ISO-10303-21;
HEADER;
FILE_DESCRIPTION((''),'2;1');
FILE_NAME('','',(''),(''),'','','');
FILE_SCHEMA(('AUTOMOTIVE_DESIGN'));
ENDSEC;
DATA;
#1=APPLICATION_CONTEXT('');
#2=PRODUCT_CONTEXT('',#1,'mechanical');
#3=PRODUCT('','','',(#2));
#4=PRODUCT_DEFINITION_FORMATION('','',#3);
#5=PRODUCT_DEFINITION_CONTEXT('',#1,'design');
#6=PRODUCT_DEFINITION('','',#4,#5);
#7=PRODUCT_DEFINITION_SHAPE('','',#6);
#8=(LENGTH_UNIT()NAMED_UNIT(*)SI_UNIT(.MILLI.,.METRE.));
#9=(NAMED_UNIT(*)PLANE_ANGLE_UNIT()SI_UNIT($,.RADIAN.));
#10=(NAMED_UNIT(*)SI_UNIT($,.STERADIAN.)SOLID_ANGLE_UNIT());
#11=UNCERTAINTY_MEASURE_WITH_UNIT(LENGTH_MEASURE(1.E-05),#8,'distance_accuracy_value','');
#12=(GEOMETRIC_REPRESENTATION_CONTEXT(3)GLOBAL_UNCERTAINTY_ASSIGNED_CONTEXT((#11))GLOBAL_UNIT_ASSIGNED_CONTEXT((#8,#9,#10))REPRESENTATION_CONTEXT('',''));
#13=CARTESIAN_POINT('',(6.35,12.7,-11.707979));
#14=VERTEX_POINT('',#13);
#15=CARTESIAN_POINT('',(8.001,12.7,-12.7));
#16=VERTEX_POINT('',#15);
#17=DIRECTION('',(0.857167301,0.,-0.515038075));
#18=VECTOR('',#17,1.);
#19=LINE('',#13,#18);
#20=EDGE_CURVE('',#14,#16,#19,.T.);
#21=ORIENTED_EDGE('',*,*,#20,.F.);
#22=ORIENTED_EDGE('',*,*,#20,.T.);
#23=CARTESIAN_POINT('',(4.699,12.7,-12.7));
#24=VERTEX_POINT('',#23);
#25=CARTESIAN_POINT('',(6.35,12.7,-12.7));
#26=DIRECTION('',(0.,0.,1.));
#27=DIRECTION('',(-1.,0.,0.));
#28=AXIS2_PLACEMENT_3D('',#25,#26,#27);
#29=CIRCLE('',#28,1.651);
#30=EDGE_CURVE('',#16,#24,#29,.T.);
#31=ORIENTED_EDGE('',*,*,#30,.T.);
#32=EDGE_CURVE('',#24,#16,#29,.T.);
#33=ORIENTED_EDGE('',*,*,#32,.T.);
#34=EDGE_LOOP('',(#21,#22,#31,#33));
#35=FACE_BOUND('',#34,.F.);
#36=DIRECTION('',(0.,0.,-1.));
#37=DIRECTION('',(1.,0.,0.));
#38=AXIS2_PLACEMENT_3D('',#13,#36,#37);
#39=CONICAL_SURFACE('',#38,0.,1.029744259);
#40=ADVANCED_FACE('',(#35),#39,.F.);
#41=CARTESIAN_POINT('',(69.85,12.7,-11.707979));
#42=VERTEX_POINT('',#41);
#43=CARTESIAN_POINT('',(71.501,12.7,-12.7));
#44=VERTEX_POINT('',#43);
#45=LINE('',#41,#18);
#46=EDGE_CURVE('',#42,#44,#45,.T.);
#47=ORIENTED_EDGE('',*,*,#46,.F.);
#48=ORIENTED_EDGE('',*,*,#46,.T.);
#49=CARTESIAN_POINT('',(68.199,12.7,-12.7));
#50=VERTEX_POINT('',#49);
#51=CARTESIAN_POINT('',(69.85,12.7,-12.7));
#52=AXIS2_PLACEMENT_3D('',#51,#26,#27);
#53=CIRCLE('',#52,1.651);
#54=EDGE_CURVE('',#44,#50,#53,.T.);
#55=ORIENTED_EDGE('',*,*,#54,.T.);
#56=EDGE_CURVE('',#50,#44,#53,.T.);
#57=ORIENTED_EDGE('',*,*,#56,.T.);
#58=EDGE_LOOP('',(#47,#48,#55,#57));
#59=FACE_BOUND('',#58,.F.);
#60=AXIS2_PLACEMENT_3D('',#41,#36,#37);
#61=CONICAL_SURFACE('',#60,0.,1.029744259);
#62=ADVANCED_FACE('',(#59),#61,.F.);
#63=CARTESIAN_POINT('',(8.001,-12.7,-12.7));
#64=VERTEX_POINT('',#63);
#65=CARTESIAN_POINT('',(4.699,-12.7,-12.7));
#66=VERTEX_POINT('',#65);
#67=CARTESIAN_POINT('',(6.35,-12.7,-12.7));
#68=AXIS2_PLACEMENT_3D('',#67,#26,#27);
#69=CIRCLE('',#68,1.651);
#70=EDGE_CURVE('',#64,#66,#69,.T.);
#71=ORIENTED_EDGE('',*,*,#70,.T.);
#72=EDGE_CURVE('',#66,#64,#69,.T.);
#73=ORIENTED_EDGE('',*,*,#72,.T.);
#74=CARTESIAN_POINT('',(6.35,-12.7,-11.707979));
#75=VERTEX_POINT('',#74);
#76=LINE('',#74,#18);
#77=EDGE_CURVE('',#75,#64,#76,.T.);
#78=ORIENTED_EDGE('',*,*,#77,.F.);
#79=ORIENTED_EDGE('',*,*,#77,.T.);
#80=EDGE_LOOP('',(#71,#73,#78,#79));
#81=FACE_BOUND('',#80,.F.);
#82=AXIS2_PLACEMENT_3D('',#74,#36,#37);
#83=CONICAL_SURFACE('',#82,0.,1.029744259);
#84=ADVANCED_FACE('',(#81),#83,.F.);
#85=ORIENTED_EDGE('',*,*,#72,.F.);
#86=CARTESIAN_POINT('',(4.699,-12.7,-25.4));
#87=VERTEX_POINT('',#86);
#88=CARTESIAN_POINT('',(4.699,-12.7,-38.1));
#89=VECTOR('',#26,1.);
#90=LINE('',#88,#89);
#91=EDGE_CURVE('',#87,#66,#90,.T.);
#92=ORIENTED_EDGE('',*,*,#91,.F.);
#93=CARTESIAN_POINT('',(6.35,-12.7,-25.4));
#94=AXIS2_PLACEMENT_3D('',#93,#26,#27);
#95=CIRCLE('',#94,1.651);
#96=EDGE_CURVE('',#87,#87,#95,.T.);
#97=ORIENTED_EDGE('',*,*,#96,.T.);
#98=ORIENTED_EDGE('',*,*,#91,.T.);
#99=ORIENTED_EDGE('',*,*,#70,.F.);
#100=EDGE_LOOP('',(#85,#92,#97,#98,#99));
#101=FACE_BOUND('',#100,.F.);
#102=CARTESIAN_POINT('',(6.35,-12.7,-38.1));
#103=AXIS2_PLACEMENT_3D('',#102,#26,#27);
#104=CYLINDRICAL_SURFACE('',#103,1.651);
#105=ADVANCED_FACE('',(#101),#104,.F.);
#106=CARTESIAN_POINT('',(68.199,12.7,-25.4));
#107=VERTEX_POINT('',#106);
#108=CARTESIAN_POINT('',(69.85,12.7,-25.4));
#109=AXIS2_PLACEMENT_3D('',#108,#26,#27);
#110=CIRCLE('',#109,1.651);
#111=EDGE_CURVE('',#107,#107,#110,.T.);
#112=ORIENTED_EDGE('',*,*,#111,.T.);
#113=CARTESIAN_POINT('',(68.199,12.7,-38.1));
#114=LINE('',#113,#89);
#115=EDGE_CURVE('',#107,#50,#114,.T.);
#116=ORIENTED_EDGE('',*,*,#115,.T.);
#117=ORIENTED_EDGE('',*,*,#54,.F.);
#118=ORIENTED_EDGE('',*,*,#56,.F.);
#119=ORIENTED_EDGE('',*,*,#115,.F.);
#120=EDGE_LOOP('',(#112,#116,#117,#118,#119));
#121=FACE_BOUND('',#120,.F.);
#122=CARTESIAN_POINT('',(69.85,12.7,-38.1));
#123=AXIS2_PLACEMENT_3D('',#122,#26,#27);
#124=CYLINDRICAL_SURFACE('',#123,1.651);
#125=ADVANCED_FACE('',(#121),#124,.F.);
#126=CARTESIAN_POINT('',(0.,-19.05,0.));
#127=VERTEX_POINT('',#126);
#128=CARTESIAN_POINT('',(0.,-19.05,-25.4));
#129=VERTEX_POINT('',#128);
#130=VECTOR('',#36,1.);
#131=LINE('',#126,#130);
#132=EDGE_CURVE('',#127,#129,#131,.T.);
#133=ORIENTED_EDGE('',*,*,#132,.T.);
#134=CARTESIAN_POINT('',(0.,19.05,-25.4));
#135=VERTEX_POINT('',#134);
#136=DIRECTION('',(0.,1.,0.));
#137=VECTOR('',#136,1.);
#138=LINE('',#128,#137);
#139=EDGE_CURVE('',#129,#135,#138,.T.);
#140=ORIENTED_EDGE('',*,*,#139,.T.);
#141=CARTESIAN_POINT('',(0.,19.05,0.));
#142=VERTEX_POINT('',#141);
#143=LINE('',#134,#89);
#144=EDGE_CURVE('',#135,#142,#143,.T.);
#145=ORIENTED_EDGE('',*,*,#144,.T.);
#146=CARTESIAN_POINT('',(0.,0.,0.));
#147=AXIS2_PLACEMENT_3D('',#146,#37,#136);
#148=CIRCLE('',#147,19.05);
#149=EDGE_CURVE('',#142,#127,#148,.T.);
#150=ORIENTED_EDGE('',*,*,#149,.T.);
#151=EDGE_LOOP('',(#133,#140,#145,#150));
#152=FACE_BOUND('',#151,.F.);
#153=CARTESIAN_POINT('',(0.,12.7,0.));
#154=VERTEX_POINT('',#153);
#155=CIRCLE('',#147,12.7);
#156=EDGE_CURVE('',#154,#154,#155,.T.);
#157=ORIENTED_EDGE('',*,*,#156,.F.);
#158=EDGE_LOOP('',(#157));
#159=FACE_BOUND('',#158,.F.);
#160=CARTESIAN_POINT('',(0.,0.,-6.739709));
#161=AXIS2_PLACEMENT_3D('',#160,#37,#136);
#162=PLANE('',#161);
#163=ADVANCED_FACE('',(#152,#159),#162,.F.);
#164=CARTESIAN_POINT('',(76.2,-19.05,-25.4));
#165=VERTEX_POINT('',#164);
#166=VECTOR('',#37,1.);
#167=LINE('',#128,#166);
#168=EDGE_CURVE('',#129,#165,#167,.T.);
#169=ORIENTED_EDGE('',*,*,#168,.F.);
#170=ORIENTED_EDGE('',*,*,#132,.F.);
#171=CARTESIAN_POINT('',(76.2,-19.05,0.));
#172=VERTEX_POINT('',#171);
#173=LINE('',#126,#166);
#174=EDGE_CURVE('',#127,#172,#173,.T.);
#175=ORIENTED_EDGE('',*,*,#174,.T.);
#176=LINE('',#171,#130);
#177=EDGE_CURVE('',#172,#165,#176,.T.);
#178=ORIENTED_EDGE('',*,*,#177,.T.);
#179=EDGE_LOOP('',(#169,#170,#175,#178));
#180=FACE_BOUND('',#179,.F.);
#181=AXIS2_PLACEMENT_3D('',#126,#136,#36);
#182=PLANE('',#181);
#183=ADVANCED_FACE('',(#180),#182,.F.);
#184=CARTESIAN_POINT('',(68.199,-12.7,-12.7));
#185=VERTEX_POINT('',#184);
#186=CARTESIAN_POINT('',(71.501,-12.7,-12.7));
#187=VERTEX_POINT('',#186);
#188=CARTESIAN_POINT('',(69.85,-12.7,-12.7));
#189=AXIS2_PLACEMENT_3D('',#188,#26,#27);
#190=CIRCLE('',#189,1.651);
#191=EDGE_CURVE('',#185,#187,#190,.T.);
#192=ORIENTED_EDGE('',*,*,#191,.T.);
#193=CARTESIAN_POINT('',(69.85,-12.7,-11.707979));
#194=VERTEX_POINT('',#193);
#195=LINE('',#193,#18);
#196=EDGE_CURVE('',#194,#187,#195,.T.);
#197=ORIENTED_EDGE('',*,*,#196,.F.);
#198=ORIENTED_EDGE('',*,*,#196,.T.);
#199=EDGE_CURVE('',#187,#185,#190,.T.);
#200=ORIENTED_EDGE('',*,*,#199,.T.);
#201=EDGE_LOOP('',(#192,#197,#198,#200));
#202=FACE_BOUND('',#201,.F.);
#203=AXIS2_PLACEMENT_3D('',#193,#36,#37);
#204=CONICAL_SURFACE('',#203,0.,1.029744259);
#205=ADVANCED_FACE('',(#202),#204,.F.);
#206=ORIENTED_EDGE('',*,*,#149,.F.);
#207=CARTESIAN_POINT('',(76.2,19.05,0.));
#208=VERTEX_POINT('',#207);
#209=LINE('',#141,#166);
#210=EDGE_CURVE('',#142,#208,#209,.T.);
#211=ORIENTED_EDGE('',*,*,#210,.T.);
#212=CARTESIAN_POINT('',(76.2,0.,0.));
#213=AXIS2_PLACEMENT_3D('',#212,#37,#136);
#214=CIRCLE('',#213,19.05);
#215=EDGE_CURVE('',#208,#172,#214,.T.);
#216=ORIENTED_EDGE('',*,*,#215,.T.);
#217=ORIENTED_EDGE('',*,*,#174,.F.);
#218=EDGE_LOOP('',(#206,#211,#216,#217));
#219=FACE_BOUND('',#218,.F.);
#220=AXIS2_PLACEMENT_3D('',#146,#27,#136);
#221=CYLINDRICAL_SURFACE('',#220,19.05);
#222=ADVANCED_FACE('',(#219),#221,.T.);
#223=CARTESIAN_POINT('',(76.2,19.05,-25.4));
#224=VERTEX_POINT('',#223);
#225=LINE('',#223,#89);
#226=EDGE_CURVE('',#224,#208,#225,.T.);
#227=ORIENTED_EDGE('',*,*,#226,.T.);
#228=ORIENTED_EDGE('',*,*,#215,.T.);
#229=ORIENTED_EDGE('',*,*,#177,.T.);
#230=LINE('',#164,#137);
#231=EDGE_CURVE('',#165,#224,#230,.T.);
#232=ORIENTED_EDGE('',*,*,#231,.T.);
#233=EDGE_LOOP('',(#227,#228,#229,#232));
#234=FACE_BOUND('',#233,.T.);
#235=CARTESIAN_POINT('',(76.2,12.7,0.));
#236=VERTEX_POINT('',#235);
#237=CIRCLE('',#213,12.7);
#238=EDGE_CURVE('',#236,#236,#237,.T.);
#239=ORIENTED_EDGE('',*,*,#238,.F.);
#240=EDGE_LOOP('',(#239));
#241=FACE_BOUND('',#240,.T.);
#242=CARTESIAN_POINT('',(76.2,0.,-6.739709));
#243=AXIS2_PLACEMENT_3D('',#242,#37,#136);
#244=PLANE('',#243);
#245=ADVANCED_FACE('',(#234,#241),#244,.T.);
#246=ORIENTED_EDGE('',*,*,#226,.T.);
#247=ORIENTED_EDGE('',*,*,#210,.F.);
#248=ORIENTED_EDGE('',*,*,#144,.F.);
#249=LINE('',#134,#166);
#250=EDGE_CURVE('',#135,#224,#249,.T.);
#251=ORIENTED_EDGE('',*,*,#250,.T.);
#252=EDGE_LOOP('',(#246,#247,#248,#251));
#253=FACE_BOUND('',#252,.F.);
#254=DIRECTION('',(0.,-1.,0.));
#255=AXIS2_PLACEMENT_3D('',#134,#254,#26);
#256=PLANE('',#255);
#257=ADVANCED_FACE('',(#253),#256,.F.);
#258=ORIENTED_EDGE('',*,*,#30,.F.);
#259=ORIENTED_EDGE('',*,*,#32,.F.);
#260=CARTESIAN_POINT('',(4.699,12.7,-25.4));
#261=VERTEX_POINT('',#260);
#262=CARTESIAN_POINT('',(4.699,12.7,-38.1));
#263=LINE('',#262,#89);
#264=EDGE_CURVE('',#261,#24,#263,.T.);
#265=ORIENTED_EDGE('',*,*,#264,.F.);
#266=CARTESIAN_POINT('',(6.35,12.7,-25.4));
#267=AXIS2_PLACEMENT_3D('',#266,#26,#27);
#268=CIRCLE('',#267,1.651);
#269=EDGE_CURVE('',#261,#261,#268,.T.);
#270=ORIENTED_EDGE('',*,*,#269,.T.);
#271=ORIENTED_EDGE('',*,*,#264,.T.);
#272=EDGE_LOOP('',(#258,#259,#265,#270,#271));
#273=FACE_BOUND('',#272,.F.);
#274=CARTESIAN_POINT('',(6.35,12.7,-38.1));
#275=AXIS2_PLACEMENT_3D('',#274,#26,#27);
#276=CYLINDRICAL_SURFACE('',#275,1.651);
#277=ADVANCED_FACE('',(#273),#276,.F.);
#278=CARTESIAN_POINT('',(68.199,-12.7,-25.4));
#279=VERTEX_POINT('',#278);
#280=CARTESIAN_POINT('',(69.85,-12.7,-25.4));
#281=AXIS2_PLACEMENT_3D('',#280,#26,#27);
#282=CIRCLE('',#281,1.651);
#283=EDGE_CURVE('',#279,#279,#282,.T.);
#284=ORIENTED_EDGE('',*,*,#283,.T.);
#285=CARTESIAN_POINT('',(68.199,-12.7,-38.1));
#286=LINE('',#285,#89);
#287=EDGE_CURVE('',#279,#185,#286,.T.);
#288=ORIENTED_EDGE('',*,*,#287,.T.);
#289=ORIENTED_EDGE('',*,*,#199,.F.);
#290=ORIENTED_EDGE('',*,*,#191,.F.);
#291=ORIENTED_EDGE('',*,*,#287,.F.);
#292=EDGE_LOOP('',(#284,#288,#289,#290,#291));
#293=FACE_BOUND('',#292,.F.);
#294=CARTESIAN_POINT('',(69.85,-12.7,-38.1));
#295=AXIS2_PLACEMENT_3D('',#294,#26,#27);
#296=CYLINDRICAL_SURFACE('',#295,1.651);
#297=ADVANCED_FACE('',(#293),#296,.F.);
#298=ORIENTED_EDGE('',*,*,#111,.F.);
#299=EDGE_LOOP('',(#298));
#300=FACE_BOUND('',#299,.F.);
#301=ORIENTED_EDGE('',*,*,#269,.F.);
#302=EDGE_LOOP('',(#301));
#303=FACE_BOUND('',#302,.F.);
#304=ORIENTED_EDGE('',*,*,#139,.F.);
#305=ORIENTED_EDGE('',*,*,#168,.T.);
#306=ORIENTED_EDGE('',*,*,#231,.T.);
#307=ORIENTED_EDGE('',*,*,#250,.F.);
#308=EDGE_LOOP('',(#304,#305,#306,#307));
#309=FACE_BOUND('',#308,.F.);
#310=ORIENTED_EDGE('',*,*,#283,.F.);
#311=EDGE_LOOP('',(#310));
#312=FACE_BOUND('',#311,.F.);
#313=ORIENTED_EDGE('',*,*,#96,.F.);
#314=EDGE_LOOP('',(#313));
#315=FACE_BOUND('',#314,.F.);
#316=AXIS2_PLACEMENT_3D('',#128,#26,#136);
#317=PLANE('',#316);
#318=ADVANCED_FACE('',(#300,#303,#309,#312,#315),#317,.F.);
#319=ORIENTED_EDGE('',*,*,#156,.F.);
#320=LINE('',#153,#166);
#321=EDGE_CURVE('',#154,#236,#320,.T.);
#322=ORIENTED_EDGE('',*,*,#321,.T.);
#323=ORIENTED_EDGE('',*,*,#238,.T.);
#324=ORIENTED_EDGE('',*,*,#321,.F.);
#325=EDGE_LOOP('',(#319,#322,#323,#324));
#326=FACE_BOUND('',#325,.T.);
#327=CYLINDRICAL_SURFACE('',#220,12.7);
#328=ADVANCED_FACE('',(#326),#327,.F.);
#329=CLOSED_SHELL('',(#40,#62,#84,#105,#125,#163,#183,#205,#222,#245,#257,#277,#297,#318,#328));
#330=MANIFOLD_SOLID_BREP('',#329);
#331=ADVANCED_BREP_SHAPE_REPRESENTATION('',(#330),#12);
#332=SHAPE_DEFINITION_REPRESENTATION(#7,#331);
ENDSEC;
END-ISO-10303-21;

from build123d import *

# Parameters (mm, degrees)
F0_R     = 12.7
F1_DEPTH = 76.2
F4_D     = 3.302
F4_DEPTH = 12.7
F4_TIP   = 0.992020882


with BuildPart() as f1:
    # F0 (on Right) → F1 (new body)
    with BuildSketch(Plane.YZ):
        with BuildLine():
            Line((19.05, -25.4), (19.05, 0))
            ThreePointArc((19.05, 0), (0, 19.05), (-19.05, 0))
            Line((-19.05, 0), (-19.05, -25.4))
            Line((-19.05, -25.4), (19.05, -25.4))
        make_face()
        Circle(F0_R, mode=Mode.SUBTRACT)
    extrude(amount=F1_DEPTH)

    # F4
    with Locations(Plane(origin=(0, 0, -25.4), x_dir=(1, 0, 0), z_dir=(0, 0, -1))):
        with Locations((6.35, 12.7), (6.35, -12.7), (69.85, -12.7), (69.85, 12.7)):
            Hole(F4_D / 2, depth=F4_DEPTH)
            with Locations((0, 0, -(F4_DEPTH + F4_TIP / 2))):  # 118° drill point
                Cone(0, F4_D / 2, F4_TIP, mode=Mode.SUBTRACT)


solid = f1.part
